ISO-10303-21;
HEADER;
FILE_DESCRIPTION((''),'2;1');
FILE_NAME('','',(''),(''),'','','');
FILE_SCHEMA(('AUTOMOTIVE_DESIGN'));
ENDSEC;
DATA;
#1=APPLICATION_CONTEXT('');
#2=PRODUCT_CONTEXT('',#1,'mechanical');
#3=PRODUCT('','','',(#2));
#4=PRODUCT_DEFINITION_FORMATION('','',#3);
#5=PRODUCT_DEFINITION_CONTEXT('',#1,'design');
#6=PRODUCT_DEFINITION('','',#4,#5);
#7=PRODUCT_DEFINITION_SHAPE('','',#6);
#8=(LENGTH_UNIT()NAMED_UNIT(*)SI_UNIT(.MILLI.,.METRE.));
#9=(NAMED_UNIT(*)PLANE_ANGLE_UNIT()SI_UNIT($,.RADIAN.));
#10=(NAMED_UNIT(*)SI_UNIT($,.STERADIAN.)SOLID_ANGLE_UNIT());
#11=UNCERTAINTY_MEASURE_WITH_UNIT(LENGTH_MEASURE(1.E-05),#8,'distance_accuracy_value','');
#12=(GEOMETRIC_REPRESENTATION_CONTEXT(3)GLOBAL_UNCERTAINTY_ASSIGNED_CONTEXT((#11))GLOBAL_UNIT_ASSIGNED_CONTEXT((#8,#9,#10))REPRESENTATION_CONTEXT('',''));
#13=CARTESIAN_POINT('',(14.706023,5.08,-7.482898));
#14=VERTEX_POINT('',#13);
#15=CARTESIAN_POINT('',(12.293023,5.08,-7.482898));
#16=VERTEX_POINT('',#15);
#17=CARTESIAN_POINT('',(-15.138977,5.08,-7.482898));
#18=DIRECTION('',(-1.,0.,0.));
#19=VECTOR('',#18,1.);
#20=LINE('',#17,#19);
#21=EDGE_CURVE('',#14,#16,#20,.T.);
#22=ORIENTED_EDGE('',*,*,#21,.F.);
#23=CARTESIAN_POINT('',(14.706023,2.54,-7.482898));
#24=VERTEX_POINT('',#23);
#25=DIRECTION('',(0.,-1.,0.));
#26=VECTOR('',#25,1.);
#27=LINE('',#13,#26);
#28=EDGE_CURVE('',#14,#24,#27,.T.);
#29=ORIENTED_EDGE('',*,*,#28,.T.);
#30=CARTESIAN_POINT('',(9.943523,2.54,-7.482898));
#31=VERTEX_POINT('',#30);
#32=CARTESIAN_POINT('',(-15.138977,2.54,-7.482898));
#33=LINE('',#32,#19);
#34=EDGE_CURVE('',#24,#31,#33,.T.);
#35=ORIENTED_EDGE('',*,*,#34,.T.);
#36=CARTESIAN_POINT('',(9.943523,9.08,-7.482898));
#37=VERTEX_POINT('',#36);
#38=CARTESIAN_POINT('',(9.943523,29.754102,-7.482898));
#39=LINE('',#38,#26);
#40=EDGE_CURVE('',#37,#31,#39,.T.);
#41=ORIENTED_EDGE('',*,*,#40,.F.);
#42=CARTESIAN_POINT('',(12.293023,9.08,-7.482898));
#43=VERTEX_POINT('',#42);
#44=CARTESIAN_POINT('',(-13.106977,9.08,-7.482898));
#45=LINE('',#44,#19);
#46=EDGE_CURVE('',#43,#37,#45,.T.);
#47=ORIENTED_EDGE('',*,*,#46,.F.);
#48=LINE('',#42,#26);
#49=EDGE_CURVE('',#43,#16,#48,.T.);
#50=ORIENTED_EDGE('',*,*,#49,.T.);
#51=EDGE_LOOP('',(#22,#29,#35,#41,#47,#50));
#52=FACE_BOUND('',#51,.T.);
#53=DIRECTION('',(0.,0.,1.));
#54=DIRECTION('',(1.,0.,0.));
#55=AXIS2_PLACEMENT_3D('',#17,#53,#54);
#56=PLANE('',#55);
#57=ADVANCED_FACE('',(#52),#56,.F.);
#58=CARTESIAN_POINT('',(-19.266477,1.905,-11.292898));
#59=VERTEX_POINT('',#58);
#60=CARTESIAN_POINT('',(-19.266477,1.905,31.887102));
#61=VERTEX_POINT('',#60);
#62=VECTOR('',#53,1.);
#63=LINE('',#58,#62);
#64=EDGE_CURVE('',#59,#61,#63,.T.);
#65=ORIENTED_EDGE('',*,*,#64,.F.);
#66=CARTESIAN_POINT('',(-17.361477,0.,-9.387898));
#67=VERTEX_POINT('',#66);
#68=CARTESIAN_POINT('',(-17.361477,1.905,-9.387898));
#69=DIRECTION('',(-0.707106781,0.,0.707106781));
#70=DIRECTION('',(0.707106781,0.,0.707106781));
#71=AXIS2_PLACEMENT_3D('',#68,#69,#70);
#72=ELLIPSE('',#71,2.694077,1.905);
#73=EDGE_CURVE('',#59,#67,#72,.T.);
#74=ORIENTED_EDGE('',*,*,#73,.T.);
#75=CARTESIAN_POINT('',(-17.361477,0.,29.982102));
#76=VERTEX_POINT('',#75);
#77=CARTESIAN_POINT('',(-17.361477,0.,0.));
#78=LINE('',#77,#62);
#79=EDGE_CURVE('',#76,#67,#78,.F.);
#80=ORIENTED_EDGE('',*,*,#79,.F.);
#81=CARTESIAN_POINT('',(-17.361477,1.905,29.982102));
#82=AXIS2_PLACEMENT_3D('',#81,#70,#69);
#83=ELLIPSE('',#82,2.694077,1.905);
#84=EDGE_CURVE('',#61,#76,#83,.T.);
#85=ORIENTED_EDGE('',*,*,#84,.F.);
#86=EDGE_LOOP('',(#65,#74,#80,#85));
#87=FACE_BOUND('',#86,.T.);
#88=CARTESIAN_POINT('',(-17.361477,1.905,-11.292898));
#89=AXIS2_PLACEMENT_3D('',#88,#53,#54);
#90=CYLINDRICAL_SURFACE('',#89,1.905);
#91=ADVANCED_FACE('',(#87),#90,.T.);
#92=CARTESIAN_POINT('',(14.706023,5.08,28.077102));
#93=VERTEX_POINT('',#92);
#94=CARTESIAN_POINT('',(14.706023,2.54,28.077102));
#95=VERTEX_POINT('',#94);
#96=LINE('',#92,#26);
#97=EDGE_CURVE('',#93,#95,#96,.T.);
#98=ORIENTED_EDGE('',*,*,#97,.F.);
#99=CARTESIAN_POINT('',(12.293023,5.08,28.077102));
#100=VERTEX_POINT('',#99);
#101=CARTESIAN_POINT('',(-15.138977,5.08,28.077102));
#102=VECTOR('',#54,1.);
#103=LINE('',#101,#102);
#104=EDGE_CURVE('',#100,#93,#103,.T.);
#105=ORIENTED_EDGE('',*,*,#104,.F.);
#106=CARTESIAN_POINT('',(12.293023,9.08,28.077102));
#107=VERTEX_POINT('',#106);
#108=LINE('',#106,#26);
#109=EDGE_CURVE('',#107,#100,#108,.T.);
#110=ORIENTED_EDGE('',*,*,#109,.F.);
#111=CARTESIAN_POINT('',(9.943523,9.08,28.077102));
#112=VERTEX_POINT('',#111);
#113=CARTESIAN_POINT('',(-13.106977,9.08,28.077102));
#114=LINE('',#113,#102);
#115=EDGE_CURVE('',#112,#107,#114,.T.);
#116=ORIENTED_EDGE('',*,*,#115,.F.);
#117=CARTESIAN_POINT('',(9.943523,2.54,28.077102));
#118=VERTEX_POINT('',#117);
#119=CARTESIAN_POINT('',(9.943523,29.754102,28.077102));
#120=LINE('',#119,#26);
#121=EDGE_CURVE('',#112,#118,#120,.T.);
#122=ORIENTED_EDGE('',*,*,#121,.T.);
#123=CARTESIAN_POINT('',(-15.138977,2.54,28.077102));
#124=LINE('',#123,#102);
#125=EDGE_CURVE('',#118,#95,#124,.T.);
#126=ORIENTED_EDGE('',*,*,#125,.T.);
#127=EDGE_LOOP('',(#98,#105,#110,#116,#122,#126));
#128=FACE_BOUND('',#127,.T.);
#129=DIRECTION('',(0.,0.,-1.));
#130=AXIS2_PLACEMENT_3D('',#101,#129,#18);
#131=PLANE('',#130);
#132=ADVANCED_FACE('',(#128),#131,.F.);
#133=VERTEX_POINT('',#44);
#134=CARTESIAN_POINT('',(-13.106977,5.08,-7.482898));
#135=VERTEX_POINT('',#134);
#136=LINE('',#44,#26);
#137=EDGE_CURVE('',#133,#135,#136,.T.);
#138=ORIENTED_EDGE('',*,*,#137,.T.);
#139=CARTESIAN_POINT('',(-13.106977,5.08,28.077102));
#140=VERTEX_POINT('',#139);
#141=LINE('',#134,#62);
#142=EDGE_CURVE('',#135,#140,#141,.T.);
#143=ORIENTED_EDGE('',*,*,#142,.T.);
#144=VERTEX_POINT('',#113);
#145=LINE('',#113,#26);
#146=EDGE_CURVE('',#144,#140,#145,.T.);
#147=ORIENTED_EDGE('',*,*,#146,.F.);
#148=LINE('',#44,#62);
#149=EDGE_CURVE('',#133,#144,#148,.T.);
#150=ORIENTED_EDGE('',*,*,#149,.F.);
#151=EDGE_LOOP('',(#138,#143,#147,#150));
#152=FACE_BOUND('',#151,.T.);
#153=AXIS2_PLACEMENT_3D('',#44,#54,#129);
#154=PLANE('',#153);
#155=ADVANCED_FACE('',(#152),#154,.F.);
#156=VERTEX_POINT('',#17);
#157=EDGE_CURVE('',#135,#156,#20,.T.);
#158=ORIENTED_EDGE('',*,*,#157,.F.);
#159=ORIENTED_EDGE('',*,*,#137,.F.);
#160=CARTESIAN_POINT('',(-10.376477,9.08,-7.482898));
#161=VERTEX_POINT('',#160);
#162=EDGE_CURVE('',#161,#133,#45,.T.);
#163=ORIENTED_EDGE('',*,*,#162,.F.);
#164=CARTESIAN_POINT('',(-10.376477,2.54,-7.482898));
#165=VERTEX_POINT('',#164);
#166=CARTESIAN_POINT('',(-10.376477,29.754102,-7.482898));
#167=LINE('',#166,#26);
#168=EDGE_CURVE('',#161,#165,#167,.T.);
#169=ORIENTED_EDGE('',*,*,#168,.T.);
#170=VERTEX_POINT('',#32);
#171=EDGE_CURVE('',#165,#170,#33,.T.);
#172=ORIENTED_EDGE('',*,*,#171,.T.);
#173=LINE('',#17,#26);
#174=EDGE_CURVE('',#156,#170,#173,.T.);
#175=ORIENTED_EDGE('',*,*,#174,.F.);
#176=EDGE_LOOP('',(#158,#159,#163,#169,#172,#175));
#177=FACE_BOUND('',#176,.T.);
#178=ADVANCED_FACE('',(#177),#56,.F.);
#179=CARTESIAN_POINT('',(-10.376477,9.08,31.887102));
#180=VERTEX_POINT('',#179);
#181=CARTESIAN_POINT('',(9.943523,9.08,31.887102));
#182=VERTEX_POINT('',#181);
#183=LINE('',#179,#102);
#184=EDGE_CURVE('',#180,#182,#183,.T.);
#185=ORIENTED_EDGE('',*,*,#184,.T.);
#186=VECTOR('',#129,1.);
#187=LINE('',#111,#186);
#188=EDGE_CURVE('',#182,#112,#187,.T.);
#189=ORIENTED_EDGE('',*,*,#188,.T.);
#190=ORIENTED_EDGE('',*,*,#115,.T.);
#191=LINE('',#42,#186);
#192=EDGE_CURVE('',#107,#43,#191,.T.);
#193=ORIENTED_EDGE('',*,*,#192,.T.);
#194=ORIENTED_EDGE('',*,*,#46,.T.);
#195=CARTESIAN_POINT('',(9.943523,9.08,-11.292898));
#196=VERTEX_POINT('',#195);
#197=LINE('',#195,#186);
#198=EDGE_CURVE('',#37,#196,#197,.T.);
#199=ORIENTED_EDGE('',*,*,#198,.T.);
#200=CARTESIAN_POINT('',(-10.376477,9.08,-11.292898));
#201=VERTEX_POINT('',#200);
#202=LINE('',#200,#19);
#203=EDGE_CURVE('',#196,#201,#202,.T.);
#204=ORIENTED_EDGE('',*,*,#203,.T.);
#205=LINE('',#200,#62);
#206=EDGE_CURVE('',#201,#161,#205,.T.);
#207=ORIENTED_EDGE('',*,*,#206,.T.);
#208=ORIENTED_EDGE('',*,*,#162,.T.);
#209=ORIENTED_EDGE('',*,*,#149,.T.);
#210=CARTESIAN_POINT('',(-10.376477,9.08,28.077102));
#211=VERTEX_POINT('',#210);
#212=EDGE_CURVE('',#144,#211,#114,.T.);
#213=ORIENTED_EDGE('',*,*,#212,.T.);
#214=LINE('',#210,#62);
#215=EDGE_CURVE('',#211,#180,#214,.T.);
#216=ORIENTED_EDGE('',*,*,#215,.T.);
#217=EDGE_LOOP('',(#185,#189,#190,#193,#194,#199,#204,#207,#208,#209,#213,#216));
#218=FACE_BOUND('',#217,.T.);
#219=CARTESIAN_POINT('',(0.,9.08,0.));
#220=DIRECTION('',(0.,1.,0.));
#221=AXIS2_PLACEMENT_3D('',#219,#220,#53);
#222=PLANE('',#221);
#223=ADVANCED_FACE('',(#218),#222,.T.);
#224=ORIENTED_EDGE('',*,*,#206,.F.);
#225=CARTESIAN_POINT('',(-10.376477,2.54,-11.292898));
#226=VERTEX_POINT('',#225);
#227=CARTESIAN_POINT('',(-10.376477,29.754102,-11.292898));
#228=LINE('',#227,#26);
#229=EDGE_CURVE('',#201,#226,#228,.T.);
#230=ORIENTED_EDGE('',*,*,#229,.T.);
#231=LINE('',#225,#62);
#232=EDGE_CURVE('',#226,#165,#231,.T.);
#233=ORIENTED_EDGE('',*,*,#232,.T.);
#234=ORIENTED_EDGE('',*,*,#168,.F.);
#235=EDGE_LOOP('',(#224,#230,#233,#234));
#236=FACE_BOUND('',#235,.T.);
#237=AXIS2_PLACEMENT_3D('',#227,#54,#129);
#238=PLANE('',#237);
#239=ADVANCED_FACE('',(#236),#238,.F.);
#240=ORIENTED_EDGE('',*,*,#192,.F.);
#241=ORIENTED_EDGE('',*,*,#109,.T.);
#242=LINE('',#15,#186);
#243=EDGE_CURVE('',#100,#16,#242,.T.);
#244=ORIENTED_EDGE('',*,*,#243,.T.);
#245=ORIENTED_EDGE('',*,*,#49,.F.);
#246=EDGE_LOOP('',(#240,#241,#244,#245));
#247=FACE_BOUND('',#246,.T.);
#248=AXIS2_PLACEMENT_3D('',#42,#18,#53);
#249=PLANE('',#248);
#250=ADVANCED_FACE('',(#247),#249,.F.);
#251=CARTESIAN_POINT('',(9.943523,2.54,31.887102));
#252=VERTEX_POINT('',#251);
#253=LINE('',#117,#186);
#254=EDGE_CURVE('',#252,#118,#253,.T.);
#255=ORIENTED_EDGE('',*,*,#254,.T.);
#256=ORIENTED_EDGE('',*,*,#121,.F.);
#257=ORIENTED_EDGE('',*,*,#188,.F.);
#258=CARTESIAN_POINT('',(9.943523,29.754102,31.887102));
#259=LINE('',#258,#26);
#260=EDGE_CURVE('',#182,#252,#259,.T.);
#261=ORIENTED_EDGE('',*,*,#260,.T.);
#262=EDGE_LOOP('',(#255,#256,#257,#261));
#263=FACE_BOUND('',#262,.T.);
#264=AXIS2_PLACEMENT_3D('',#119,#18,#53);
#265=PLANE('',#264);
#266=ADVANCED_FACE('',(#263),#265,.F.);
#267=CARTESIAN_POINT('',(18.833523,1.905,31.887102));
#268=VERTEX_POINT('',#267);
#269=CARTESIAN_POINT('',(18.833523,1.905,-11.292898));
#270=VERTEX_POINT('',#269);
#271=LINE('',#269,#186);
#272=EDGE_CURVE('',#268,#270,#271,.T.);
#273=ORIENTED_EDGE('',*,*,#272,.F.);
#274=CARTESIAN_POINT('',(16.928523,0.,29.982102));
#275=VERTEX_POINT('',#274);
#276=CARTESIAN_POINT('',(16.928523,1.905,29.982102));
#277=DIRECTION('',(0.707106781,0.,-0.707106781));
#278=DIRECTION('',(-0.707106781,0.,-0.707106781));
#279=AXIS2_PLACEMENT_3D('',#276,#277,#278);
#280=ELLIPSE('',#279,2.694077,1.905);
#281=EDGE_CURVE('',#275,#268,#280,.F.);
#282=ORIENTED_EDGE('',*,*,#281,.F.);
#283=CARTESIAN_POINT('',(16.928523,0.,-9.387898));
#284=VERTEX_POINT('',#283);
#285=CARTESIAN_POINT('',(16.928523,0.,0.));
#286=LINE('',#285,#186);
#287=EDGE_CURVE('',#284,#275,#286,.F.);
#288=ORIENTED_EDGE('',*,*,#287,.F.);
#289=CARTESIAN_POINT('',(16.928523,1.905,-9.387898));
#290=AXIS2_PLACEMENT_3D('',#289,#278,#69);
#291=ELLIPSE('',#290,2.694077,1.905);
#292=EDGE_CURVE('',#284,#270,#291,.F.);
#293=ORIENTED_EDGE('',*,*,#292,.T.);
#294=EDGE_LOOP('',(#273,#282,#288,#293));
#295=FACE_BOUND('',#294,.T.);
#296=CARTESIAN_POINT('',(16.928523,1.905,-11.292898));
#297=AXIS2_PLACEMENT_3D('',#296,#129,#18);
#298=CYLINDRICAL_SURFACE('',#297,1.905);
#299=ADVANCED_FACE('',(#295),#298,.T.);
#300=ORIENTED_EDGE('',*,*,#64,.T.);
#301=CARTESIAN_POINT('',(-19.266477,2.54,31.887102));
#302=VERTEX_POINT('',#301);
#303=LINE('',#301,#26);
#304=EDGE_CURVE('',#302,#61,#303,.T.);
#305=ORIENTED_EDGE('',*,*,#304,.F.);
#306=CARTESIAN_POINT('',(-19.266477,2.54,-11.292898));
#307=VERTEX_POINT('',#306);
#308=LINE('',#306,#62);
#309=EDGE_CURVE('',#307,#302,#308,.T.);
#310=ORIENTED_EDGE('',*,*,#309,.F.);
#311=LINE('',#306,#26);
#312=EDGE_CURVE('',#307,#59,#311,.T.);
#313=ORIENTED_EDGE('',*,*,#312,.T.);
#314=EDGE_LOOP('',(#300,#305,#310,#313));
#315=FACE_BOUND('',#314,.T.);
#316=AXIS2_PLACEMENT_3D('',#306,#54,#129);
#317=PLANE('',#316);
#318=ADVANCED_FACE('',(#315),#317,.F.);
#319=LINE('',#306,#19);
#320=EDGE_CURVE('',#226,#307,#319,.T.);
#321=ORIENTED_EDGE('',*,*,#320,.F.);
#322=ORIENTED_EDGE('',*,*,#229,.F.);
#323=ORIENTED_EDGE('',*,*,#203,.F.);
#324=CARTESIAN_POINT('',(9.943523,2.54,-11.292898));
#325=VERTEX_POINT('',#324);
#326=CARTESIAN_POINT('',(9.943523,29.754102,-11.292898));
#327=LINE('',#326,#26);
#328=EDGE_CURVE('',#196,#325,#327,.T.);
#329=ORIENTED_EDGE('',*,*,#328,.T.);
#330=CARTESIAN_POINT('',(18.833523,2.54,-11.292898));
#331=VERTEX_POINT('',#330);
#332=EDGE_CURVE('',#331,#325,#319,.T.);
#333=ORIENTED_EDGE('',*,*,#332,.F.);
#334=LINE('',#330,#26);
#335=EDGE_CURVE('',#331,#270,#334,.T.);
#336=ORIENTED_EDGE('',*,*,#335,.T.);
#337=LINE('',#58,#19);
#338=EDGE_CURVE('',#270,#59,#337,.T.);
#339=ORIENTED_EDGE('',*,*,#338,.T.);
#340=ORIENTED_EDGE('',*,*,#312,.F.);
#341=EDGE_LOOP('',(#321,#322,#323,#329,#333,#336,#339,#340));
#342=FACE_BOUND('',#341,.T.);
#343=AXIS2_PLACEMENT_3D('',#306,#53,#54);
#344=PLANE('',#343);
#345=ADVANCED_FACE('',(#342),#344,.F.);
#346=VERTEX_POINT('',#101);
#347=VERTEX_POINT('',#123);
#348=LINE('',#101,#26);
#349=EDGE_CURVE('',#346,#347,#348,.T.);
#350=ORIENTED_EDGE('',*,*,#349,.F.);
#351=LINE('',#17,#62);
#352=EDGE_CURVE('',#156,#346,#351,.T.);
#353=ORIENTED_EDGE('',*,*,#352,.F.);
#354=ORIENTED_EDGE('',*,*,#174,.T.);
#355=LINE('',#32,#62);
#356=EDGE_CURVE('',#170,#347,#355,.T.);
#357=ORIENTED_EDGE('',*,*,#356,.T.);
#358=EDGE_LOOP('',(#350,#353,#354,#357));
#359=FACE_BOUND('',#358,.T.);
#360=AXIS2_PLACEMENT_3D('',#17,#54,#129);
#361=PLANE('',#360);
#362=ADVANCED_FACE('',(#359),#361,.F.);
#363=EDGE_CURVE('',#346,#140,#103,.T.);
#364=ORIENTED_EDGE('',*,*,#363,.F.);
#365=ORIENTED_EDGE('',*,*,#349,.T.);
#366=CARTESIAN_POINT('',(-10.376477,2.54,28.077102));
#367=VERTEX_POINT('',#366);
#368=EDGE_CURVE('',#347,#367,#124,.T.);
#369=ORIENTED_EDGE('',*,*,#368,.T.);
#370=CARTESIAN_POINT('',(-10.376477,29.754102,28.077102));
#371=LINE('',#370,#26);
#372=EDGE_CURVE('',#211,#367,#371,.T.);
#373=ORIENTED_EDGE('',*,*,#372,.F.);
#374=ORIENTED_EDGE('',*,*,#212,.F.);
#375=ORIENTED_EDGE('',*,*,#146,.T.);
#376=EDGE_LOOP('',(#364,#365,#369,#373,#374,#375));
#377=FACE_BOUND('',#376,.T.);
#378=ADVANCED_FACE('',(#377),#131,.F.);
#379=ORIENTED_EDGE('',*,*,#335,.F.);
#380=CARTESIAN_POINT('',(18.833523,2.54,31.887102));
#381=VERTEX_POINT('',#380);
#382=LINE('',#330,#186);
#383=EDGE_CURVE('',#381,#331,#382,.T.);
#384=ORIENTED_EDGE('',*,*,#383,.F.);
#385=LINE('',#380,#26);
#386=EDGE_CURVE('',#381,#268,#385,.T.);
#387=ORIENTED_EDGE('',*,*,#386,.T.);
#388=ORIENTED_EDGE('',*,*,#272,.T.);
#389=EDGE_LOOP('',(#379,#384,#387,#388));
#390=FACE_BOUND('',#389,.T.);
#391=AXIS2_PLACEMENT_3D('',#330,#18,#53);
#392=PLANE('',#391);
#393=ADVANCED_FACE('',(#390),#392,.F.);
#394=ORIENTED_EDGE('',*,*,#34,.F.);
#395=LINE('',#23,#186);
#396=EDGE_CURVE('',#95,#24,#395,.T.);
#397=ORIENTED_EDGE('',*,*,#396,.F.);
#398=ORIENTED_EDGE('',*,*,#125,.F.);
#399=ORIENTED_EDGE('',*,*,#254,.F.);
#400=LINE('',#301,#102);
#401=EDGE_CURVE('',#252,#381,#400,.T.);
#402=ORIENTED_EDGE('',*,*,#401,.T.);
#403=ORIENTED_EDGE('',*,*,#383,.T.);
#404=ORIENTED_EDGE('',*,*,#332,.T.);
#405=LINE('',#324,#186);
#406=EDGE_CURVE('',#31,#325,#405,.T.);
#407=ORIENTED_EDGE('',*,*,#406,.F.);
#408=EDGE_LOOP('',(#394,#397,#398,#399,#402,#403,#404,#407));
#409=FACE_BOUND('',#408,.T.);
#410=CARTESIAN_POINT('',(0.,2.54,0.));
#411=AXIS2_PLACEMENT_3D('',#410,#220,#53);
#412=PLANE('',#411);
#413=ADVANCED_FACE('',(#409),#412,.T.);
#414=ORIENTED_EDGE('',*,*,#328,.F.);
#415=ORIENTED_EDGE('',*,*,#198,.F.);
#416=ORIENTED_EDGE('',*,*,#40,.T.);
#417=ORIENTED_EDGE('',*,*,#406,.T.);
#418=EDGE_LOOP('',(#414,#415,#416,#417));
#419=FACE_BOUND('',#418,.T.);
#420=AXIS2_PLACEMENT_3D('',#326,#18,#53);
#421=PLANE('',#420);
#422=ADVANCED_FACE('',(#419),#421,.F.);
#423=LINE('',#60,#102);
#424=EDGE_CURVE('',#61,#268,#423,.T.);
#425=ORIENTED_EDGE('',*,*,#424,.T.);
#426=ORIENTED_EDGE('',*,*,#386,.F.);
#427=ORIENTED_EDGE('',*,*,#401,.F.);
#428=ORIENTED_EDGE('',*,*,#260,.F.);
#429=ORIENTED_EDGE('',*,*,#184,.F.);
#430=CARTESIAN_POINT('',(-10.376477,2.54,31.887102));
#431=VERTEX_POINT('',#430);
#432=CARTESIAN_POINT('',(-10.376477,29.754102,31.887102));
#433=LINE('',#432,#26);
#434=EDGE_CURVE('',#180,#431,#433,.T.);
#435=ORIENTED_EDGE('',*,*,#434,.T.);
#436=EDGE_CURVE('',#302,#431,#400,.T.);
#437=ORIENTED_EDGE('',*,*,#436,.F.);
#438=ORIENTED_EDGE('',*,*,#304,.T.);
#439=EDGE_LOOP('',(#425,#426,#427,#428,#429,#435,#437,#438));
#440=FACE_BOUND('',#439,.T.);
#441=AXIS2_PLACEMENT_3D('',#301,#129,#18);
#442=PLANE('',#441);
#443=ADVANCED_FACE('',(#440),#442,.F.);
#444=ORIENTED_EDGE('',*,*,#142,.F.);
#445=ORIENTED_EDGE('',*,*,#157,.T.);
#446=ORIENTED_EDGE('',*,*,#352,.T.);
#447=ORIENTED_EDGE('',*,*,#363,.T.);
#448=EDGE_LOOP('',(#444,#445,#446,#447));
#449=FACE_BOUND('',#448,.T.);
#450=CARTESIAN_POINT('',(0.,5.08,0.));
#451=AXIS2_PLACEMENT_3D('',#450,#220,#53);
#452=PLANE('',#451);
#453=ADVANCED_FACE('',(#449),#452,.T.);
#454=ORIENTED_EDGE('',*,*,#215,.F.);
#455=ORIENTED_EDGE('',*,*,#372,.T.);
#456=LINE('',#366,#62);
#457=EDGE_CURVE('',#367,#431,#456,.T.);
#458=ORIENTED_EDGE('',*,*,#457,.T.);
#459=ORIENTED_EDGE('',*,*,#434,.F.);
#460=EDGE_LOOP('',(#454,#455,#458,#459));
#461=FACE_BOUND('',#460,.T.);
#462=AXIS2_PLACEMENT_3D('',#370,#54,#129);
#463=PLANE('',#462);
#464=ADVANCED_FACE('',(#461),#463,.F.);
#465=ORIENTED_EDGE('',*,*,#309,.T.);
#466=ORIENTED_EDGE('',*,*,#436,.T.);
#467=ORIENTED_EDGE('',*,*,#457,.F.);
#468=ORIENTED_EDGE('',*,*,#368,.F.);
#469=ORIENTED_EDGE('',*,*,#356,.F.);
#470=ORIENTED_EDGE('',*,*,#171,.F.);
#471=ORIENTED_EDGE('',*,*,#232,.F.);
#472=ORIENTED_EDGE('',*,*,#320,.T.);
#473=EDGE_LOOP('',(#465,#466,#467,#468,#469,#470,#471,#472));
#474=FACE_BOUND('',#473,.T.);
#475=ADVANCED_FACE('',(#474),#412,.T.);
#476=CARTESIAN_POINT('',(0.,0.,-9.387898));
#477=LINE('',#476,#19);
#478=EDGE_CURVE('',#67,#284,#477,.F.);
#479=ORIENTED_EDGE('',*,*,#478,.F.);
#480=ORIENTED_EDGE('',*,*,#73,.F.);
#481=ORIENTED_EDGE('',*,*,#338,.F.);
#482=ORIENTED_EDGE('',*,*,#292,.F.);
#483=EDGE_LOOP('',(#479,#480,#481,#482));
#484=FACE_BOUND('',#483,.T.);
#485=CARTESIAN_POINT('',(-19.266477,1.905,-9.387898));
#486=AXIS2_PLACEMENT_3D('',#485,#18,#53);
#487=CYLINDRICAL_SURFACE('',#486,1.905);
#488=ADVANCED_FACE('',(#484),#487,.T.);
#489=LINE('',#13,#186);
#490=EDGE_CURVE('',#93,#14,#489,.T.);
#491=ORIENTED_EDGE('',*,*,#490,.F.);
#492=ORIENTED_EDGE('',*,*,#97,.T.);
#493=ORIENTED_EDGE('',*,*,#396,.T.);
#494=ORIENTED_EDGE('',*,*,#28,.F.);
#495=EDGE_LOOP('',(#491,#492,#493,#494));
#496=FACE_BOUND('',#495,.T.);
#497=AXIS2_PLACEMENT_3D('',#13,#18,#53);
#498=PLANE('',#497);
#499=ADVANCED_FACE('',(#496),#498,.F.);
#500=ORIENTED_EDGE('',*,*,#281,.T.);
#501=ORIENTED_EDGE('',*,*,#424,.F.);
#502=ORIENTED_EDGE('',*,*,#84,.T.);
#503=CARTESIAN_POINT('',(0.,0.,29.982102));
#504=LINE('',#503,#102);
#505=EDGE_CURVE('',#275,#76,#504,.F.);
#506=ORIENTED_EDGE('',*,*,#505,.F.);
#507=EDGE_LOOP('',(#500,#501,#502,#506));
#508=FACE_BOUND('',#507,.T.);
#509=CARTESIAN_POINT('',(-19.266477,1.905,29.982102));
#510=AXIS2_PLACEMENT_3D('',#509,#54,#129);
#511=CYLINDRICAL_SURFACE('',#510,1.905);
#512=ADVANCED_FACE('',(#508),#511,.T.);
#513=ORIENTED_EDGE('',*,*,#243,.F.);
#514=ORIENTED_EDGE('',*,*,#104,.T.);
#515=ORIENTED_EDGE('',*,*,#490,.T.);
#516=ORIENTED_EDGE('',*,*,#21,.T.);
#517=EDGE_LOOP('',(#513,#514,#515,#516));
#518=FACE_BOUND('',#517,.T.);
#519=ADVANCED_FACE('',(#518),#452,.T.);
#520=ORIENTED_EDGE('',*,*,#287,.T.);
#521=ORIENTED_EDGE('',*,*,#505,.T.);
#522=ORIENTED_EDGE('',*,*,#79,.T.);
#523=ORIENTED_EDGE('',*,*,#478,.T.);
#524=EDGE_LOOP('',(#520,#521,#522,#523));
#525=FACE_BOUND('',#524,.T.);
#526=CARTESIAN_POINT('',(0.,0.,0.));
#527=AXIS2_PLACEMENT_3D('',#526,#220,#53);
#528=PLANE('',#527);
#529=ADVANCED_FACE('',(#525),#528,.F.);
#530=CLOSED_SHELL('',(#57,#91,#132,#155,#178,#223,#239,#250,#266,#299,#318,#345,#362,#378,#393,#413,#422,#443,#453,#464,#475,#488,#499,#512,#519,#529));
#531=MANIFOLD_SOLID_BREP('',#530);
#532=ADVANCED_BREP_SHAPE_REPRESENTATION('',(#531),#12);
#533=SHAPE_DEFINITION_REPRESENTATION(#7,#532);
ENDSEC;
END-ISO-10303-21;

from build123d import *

# Parameters (mm, degrees)
SKETCH1_W           = 38.1
SKETCH1_H           = 43.18
BOSS_EXTRUDE1_DEPTH = 2.54
SKETCH2_W           = 29.845
SKETCH2_H           = 35.56
BOSS_EXTRUDE2_DEPTH = 2.54
SKETCH3_W           = 25.4
SKETCH3_H           = 35.56
BOSS_EXTRUDE3_DEPTH = 4
SKETCH7_W           = 20.32
SKETCH7_H           = 3.81
BOSS_EXTRUDE5_DEPTH = 6.54
FILLET1_R           = 1.905


with BuildPart() as part:
    # Sketch1 → Boss-Extrude1 (new body)
    with BuildSketch(Plane(origin=(0, 0, 0), x_dir=(1, 0, 0), z_dir=(0, 1, 0))):
        with Locations((-0.216477273, -10.297102273)):
            Rectangle(SKETCH1_W, SKETCH1_H)
    extrude(amount=BOSS_EXTRUDE1_DEPTH)

    # Sketch2 → Boss-Extrude2 (add)
    with BuildSketch(Plane(origin=(0, 2.54, 0), x_dir=(1, 0, 0), z_dir=(0, 1, 0))):
        with Locations((-0.216477273, -10.297102273)):
            Rectangle(SKETCH2_W, SKETCH2_H)
    extrude(amount=BOSS_EXTRUDE2_DEPTH)

    # Sketch3 → Boss-Extrude3 (add)
    with BuildSketch(Plane(origin=(0, 5.08, 0), x_dir=(1, 0, 0), z_dir=(0, 1, 0))):
        with Locations((-0.406977273, -10.297102273)):
            Rectangle(SKETCH3_W, SKETCH3_H)
    extrude(amount=BOSS_EXTRUDE3_DEPTH)

    # Sketch7 → Boss-Extrude5 (add)
    with BuildSketch(Plane(origin=(0, 2.54, 0), x_dir=(1, 0, 0), z_dir=(0, 1, 0))):
        with Locations((-0.216477273, -29.982102273)):
            Rectangle(SKETCH7_W, SKETCH7_H)
        with Locations((-0.216477273, 9.387897727)):
            Rectangle(SKETCH7_W, SKETCH7_H)
    extrude(amount=BOSS_EXTRUDE5_DEPTH)

    # Fillet1
    fillet1_edges = [part.edges().sort_by_distance(p)[0] for p in [
        (-0.216477273, 0, -11.292897727),
        (18.833522727, 0, 10.297102273),
        (-0.216477273, 0, 31.887102273),
        (-19.266477273, 0, 10.297102273),
    ]]
    fillet(fillet1_edges, radius=FILLET1_R)


solid = part.part
